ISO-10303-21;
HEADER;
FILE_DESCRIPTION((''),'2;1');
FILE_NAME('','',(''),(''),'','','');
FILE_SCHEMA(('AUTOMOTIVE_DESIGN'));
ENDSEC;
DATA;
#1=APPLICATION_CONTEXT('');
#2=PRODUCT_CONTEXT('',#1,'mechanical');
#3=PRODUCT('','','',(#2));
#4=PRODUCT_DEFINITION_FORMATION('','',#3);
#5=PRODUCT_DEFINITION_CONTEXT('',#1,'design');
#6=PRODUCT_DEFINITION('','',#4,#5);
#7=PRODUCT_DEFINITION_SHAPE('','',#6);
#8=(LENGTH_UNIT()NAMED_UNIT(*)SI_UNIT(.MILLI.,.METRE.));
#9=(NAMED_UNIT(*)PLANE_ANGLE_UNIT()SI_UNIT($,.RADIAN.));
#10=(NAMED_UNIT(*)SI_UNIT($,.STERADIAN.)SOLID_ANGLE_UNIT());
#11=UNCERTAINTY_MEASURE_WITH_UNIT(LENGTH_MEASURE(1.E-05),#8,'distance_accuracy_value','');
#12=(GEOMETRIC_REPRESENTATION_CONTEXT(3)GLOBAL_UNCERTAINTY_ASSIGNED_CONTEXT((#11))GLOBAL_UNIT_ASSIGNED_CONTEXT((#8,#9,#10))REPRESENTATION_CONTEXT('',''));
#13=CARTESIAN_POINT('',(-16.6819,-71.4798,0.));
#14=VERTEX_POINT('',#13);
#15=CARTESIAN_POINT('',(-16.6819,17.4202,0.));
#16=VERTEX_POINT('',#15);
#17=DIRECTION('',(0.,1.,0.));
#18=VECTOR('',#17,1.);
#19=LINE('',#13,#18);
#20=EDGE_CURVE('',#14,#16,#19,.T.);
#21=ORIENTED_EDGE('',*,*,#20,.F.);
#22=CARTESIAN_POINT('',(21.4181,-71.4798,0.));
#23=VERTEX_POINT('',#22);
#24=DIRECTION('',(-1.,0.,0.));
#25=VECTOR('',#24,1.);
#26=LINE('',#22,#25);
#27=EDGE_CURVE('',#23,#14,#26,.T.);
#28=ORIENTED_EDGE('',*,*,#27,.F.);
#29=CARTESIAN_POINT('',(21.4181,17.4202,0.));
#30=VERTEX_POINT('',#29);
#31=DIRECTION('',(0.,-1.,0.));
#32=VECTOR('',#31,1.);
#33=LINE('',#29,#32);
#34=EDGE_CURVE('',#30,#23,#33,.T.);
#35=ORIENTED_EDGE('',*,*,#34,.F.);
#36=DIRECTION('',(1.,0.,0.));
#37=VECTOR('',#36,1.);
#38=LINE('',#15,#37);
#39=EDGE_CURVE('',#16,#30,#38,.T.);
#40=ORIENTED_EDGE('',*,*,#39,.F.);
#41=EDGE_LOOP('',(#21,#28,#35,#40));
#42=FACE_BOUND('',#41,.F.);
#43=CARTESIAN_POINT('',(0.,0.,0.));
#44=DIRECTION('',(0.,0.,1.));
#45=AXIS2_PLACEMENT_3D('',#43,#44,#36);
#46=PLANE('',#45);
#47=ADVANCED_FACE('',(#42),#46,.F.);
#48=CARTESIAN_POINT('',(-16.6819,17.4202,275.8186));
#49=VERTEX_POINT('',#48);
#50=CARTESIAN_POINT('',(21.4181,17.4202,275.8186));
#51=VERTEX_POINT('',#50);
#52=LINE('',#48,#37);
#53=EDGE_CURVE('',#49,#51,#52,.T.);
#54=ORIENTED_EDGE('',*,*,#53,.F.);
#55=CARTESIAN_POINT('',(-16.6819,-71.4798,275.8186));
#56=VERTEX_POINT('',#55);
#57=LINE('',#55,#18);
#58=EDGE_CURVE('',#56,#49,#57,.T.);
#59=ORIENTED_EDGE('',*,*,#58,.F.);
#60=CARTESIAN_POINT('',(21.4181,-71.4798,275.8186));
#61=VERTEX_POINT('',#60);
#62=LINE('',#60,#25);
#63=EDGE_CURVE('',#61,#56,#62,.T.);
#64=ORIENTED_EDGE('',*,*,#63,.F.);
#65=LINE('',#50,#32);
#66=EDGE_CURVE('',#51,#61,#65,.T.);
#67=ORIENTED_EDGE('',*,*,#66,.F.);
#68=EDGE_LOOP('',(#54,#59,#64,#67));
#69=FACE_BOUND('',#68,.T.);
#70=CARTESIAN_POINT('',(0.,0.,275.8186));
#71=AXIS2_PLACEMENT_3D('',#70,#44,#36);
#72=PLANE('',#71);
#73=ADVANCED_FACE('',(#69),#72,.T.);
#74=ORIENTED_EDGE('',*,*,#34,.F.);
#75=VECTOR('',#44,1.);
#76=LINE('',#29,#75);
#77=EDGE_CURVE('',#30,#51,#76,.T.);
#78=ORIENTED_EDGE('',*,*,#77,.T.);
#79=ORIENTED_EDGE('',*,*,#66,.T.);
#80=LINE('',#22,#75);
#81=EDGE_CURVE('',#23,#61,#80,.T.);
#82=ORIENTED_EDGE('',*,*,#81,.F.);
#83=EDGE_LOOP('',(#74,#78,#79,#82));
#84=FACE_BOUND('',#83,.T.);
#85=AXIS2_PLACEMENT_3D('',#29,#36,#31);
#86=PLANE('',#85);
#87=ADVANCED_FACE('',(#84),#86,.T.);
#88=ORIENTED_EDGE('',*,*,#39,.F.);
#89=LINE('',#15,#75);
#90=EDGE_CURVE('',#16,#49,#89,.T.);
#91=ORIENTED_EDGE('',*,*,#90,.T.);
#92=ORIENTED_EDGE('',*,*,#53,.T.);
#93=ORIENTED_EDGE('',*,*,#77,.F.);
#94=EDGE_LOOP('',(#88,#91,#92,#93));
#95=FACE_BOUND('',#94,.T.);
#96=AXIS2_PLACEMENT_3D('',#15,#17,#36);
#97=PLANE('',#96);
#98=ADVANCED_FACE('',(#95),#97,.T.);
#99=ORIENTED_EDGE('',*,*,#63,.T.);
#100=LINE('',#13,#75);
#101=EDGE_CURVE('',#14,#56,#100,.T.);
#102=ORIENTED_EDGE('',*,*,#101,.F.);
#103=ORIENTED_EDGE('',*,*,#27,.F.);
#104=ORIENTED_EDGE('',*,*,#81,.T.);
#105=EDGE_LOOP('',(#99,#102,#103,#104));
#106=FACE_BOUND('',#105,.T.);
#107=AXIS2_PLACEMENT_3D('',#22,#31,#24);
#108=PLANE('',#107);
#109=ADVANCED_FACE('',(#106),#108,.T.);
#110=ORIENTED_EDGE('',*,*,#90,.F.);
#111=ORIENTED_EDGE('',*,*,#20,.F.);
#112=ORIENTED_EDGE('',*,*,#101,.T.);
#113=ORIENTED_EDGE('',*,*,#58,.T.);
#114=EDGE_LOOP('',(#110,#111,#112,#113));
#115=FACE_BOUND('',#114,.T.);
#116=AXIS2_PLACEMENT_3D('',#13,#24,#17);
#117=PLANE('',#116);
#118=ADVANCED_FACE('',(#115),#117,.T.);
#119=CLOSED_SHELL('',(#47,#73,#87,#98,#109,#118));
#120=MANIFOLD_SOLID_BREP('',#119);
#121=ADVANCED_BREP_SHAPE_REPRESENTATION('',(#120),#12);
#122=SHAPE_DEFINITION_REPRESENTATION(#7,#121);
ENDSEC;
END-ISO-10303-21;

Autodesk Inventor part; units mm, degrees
ref_plane "YZ Plane" through (0, 0, 0) normal (1, 0, 0) x (0, 1, 0)
ref_plane "XZ Plane" through (0, 0, 0) normal (0, 1, 0) x (-1, 0, 0)
ref_plane "XY Plane" through (0, 0, 0) normal (0, 0, 1) x (1, 0, 0)
sketch "Sketch1" plane through (0, 0, 0) normal (0, 0, 1) x (1, 0, 0)
  line L0 (-16.6819, 17.4202) -> (21.4181, 17.4202)
  line L1 (21.4181, 17.4202) -> (21.4181, -71.4798)
  line L2 (21.4181, -71.4798) -> (-16.6819, -71.4798)
  line L3 (-16.6819, -71.4798) -> (-16.6819, 17.4202)
  point P0 (0, 0)
  dimension "d0" = 38.1
  dimension "d1" = 88.9
extrude "Extrusion1" add sketch "Sketch1" along normal blind 275.8186
properties part number "RailMount2x4_NERDS"
